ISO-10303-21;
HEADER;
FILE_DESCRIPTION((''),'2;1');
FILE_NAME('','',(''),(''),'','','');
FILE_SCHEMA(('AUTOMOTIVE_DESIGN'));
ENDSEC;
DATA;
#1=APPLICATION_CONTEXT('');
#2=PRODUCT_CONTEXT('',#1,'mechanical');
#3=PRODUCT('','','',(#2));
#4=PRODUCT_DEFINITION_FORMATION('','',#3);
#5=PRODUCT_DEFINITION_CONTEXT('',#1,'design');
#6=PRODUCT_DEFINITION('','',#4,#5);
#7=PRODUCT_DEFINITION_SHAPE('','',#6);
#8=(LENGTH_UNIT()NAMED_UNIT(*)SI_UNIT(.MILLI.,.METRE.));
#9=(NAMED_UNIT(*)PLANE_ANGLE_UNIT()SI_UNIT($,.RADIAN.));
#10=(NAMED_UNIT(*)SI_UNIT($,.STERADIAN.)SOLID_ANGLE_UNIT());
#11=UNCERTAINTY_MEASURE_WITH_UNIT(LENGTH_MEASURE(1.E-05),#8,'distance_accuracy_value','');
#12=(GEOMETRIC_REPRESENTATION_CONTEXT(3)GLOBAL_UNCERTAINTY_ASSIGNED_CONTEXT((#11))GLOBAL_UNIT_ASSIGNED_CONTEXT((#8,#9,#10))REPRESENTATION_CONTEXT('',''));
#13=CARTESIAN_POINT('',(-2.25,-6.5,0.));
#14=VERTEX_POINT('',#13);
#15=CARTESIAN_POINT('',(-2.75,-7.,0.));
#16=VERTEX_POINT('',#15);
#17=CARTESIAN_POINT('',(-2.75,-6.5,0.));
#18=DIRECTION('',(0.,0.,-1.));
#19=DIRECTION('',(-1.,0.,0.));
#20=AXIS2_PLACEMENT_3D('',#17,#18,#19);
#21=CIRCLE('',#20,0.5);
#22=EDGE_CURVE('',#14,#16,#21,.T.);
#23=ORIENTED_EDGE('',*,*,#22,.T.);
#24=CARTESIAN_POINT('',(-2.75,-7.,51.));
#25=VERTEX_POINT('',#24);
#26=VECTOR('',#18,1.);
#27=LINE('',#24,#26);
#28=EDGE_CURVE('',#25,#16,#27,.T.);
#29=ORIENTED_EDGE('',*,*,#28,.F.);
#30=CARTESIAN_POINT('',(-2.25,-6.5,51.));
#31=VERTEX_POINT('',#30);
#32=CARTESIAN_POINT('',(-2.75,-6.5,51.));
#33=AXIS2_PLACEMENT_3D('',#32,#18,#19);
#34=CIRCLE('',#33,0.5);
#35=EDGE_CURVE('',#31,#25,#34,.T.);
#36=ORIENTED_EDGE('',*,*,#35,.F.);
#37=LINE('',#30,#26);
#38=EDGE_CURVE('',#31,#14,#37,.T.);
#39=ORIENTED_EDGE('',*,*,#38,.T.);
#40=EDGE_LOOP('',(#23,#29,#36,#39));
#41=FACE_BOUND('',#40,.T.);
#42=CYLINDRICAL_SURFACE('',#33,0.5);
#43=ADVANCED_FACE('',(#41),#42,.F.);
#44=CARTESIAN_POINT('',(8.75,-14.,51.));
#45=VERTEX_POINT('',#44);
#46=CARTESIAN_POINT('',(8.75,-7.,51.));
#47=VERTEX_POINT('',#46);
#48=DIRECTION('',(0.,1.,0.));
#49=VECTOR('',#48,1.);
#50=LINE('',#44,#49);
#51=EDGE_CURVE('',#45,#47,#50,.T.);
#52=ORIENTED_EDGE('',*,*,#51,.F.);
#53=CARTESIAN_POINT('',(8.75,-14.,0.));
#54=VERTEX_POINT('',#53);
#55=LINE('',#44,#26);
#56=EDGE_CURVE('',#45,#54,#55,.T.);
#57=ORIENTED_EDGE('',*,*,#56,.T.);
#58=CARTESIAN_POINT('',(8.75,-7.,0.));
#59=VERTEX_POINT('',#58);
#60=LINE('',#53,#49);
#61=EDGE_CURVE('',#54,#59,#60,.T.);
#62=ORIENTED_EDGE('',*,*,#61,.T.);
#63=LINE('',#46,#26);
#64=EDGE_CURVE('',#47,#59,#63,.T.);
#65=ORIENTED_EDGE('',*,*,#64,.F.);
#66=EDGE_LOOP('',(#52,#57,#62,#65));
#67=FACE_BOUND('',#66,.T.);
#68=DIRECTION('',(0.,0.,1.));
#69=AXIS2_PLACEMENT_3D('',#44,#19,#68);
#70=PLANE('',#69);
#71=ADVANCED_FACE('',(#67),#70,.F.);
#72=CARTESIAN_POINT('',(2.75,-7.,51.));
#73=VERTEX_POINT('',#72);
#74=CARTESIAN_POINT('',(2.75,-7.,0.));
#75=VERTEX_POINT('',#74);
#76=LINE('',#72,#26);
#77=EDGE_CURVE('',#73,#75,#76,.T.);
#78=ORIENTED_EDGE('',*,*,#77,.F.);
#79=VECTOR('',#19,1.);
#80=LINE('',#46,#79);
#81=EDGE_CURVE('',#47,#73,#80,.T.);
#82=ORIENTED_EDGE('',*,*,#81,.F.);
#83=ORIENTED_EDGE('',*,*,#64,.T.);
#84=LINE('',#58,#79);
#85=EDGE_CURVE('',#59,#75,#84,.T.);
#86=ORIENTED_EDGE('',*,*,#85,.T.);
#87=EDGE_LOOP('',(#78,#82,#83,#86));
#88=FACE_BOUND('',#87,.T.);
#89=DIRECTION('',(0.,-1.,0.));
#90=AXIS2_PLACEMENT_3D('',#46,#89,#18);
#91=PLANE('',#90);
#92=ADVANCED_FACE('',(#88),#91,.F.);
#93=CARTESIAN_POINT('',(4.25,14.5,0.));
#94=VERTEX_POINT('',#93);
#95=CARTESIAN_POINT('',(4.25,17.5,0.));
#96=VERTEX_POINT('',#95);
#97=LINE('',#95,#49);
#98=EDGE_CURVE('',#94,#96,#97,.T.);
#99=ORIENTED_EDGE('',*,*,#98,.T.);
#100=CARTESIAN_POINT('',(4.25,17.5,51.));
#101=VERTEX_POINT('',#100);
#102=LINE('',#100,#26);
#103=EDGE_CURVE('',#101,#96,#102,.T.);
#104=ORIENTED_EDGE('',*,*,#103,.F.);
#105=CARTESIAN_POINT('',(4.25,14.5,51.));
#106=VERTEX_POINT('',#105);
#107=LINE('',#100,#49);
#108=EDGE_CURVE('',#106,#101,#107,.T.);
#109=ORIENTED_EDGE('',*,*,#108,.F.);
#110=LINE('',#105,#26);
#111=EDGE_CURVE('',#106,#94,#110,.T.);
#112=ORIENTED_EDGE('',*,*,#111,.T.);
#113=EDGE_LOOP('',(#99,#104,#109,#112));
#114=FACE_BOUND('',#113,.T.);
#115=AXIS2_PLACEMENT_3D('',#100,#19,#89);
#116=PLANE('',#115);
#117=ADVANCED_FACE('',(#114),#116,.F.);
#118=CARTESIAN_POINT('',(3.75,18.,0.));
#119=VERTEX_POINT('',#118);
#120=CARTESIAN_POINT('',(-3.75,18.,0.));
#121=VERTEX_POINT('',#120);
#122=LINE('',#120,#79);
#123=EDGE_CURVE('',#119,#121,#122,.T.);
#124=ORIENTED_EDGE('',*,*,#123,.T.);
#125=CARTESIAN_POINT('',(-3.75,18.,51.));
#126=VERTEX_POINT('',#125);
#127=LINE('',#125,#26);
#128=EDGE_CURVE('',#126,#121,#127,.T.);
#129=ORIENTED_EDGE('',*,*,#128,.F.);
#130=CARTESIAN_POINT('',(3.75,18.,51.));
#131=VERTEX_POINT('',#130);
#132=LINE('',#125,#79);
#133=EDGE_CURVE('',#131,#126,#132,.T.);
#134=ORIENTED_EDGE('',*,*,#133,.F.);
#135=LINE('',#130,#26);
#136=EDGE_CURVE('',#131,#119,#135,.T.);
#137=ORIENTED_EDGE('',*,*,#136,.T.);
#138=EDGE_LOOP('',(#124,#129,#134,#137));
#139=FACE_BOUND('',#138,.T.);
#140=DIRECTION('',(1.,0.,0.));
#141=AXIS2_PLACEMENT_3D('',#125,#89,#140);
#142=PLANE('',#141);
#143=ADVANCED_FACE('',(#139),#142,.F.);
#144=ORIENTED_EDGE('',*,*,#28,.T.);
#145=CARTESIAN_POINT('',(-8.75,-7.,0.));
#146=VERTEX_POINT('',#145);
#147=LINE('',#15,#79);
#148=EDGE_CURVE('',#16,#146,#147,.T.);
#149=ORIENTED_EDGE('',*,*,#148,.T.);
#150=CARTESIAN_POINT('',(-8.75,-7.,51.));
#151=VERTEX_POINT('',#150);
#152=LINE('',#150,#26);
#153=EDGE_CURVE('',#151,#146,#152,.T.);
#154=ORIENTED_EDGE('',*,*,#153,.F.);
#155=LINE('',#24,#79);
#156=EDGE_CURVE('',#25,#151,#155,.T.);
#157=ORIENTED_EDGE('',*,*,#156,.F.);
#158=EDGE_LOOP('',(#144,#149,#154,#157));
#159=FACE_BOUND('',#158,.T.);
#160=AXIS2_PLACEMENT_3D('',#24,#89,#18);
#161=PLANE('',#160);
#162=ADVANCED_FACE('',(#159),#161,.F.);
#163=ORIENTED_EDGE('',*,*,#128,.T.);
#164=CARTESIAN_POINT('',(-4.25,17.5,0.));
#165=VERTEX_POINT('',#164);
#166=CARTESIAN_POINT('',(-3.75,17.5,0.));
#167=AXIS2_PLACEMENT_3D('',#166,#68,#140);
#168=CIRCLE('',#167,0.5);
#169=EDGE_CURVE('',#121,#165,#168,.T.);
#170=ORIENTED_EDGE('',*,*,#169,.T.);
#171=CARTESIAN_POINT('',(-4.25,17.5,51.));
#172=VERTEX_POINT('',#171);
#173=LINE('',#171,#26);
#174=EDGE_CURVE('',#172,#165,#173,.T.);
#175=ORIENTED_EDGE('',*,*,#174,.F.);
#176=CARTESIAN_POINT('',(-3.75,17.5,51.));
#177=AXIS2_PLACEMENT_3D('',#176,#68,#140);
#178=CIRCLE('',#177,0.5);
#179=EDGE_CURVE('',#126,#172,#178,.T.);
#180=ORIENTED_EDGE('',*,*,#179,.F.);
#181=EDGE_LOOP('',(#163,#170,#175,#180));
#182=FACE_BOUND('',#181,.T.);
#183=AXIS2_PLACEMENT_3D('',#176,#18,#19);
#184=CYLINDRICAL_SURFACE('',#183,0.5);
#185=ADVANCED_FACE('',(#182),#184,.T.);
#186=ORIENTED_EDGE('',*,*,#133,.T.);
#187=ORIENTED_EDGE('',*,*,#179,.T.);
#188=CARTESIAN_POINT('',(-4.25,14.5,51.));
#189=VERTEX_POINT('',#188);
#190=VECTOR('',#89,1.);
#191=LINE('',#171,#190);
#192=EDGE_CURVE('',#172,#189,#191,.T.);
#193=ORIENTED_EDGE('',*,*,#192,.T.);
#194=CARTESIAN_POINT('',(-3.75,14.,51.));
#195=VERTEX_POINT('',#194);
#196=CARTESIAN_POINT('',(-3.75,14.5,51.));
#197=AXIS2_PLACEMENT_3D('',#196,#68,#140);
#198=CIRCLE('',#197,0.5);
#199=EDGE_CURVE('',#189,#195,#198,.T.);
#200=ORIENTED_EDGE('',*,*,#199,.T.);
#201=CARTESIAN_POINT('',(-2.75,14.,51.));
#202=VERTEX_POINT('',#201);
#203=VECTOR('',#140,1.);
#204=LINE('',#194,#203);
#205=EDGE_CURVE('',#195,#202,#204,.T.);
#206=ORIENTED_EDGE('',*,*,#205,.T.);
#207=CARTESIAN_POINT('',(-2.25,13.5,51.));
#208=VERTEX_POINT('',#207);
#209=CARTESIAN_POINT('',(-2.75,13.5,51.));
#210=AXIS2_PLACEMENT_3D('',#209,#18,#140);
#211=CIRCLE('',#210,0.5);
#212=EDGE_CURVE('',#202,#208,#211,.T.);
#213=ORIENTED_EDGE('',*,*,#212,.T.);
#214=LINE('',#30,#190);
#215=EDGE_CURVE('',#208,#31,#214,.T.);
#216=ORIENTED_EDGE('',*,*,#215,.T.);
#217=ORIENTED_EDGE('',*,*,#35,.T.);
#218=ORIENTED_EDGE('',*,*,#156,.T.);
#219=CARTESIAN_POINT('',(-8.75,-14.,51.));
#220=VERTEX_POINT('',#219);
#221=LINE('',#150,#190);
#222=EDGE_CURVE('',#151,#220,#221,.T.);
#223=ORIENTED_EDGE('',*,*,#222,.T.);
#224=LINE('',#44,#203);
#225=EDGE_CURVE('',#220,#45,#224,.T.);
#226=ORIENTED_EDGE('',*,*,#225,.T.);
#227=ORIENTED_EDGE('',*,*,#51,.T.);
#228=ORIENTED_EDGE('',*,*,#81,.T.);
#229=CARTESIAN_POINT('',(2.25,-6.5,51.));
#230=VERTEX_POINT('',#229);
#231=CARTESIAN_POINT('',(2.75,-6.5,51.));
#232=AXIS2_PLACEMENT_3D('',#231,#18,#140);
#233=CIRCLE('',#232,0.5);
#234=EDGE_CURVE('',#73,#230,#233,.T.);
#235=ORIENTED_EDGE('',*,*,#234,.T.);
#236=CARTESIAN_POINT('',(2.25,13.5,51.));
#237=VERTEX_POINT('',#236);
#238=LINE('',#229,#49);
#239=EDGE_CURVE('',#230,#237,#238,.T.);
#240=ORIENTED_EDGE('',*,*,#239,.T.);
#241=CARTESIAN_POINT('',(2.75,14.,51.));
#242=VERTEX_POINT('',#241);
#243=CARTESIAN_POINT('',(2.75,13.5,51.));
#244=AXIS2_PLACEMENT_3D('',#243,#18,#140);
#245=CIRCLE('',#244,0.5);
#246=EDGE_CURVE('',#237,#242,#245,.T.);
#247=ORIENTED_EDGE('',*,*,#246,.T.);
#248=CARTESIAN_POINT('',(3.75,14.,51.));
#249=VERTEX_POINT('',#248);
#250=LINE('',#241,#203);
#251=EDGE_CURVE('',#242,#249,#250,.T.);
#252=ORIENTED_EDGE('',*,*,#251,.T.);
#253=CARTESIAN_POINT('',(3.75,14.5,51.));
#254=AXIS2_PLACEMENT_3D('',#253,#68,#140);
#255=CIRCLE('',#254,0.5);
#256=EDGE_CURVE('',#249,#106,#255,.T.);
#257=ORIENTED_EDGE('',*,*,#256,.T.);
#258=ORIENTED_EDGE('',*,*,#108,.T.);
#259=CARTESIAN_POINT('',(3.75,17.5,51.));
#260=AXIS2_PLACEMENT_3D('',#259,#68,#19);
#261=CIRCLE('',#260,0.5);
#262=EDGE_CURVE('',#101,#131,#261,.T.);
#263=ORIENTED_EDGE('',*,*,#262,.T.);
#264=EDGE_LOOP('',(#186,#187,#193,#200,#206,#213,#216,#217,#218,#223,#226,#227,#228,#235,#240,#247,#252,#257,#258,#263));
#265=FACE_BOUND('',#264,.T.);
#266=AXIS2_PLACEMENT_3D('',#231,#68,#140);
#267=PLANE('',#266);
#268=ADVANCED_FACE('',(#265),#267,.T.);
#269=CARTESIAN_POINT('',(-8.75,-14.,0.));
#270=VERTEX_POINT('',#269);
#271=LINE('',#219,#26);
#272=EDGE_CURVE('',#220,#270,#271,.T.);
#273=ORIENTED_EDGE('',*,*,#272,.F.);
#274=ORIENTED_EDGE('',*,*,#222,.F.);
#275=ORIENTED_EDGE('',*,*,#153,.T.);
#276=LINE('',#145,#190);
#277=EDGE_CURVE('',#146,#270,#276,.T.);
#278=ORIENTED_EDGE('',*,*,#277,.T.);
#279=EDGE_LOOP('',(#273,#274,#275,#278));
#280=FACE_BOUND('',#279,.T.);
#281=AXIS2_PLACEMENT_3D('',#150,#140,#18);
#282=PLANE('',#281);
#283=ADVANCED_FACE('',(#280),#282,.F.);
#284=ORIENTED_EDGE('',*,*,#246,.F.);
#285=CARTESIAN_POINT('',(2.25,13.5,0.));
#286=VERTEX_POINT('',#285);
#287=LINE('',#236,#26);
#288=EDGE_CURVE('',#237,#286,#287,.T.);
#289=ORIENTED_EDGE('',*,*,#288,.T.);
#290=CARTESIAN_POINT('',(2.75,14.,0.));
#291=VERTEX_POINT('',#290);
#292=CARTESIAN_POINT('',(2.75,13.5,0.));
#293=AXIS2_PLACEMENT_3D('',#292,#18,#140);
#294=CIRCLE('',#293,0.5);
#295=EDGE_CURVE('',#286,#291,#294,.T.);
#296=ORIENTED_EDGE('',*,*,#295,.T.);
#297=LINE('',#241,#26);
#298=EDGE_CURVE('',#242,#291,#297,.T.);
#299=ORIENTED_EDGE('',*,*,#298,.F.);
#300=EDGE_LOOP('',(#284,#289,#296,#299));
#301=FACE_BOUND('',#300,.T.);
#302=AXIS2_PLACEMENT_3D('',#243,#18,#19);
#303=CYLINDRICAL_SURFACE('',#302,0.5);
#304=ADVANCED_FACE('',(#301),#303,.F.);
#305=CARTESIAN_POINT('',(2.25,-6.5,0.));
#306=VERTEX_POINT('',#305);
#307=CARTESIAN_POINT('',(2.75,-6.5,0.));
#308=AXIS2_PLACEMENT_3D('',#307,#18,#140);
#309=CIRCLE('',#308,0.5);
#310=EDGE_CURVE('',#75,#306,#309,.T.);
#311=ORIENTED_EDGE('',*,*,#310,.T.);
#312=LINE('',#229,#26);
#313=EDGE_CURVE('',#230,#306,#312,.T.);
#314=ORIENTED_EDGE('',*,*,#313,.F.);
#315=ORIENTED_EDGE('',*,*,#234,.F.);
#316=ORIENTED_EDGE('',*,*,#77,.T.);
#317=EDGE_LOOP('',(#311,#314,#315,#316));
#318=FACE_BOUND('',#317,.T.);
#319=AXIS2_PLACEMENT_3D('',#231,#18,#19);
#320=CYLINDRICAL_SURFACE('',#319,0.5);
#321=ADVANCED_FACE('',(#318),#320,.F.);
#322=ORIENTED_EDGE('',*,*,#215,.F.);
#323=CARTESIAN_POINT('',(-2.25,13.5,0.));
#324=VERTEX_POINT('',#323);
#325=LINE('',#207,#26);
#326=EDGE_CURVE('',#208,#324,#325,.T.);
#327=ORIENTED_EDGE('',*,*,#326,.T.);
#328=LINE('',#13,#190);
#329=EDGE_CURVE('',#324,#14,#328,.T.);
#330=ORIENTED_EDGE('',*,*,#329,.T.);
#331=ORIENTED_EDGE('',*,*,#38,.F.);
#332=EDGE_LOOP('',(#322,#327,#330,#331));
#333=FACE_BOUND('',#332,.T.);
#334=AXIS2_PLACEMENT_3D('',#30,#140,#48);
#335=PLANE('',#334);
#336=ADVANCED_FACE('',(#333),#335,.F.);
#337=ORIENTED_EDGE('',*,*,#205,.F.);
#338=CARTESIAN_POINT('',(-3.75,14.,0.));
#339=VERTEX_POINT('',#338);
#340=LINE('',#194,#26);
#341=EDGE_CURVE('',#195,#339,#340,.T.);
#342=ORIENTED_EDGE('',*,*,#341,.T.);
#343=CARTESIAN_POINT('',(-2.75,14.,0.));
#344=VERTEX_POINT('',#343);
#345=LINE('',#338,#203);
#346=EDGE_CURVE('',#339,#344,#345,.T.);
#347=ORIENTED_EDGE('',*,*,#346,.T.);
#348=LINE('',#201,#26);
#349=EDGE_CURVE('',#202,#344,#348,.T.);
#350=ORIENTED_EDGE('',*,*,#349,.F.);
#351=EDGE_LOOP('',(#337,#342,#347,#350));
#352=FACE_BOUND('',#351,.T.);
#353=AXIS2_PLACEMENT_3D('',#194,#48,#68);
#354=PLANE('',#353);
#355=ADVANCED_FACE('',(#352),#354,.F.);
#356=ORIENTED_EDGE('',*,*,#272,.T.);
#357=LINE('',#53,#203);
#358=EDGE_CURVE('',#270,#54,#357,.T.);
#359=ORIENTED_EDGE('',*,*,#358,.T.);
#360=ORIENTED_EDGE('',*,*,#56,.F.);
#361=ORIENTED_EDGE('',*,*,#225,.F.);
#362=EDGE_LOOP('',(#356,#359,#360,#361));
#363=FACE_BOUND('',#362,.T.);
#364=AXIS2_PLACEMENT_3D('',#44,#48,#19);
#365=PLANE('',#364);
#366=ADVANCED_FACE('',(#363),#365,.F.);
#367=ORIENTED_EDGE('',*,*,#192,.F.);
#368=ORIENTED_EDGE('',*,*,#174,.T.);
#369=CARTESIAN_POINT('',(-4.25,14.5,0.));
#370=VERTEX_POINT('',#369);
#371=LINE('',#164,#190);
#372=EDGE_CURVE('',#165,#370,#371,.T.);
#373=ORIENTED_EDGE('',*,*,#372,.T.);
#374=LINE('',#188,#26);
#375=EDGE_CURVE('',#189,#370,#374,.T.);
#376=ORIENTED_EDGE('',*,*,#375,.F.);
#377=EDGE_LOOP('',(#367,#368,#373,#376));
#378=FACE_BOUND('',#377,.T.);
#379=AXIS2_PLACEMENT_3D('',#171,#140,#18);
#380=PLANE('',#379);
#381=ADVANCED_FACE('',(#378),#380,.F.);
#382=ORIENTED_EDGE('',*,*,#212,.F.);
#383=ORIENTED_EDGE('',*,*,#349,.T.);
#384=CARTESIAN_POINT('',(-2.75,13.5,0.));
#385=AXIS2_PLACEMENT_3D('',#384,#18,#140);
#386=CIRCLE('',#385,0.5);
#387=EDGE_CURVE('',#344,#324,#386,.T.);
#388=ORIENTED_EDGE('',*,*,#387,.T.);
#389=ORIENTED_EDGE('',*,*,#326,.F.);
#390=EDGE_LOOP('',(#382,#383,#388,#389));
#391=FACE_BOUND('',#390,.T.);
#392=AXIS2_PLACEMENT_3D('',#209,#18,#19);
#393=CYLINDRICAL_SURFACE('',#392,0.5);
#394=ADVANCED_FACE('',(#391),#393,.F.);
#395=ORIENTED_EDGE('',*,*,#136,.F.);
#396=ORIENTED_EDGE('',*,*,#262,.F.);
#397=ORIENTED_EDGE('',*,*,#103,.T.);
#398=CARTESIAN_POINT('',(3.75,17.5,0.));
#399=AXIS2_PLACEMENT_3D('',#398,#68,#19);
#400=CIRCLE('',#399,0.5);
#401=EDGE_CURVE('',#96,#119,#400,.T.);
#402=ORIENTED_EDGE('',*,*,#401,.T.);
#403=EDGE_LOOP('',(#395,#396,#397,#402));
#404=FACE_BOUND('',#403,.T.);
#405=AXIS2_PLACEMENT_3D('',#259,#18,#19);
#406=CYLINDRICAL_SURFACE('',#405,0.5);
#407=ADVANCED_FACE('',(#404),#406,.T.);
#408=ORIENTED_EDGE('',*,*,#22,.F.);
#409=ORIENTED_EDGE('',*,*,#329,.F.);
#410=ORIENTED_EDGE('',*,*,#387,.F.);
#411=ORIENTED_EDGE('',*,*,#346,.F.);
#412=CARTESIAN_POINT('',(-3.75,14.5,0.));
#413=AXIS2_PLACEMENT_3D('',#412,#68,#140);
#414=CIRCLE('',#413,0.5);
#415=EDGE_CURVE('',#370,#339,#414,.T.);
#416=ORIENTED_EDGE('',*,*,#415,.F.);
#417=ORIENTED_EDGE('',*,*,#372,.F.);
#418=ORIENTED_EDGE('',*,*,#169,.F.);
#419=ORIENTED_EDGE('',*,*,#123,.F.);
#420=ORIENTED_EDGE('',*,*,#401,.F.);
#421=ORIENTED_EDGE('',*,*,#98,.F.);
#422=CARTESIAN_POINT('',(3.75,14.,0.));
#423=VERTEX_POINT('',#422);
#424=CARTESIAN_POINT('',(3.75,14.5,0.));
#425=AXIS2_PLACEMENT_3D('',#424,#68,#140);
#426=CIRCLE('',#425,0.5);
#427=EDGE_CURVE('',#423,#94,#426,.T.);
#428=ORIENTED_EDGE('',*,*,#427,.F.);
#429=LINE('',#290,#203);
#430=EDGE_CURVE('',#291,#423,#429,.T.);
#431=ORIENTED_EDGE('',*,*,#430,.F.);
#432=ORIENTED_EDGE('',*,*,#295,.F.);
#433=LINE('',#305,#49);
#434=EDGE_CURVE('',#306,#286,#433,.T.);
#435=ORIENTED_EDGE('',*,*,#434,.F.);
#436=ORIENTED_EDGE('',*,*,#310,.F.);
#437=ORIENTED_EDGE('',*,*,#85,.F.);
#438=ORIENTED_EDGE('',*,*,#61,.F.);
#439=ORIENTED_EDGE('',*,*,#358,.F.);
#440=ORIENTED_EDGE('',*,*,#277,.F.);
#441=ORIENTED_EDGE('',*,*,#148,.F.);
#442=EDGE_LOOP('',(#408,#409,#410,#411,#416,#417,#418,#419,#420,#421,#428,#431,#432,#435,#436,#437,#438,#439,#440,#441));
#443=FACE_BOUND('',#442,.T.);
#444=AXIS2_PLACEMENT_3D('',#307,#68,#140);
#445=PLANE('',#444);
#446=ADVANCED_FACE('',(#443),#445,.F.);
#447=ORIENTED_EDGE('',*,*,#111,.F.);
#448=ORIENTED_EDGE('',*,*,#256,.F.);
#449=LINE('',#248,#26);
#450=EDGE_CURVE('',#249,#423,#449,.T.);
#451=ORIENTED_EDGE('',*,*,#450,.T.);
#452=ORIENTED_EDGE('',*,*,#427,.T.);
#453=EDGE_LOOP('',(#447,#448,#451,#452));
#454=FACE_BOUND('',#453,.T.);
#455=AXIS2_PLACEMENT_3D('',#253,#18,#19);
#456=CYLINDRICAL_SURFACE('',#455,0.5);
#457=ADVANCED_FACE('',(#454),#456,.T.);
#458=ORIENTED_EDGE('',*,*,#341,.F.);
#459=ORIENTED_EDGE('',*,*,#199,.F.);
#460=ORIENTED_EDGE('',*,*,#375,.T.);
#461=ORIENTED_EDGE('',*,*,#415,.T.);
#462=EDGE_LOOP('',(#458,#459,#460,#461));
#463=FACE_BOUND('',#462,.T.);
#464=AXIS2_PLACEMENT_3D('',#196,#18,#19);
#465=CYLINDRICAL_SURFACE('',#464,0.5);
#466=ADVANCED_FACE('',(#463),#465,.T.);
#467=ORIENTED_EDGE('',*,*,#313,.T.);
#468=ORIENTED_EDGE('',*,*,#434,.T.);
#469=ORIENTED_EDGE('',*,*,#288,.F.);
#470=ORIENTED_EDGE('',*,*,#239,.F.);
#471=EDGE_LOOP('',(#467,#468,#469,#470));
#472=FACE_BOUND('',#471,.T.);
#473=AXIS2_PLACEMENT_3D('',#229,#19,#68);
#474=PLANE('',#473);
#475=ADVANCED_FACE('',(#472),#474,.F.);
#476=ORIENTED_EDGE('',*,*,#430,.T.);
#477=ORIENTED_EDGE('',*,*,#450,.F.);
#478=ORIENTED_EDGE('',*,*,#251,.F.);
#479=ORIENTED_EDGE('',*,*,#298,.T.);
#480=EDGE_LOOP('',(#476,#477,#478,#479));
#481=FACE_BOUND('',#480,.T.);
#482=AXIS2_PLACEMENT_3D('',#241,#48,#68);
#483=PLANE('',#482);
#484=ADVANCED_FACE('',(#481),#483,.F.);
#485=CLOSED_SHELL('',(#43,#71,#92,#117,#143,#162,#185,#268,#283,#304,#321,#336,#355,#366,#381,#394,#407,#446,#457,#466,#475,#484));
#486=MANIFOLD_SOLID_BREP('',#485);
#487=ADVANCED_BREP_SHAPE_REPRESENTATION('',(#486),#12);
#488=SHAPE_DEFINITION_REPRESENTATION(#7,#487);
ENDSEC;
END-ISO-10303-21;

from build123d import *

# Parameters (mm, degrees)
BOSS_EXTRUDE1_DEPTH = 51


with BuildPart() as part:
    # Sketch1 → Boss-Extrude1 (new body)
    with BuildSketch(Plane.XY):
        with BuildLine():
            Line((8.75, -14), (-8.75, -14))
            Line((-8.75, -14), (-8.75, -7))
            Line((-8.75, -7), (-2.75, -7))
            ThreePointArc((-2.75, -7), (-2.396446609, -6.853553391), (-2.25, -6.5))
            Line((-2.25, -6.5), (-2.25, 13.5))
            ThreePointArc((-2.25, 13.5), (-2.396446609, 13.853553391), (-2.75, 14))
            Line((-2.75, 14), (-3.75, 14))
            ThreePointArc((-3.75, 14), (-4.103553391, 14.146446609), (-4.25, 14.5))
            Line((-4.25, 14.5), (-4.25, 17.5))
            ThreePointArc((-4.25, 17.5), (-4.103553391, 17.853553391), (-3.75, 18))
            Line((-3.75, 18), (3.75, 18))
            ThreePointArc((3.75, 18), (4.103553391, 17.853553391), (4.25, 17.5))
            Line((4.25, 17.5), (4.25, 14.5))
            ThreePointArc((4.25, 14.5), (4.103553391, 14.146446609), (3.75, 14))
            Line((3.75, 14), (2.75, 14))
            ThreePointArc((2.75, 14), (2.396446609, 13.853553391), (2.25, 13.5))
            Line((2.25, 13.5), (2.25, -6.5))
            ThreePointArc((2.25, -6.5), (2.396446609, -6.853553391), (2.75, -7))
            Line((2.75, -7), (8.75, -7))
            Line((8.75, -7), (8.75, -14))
        make_face()
    extrude(amount=BOSS_EXTRUDE1_DEPTH)


solid = part.part
